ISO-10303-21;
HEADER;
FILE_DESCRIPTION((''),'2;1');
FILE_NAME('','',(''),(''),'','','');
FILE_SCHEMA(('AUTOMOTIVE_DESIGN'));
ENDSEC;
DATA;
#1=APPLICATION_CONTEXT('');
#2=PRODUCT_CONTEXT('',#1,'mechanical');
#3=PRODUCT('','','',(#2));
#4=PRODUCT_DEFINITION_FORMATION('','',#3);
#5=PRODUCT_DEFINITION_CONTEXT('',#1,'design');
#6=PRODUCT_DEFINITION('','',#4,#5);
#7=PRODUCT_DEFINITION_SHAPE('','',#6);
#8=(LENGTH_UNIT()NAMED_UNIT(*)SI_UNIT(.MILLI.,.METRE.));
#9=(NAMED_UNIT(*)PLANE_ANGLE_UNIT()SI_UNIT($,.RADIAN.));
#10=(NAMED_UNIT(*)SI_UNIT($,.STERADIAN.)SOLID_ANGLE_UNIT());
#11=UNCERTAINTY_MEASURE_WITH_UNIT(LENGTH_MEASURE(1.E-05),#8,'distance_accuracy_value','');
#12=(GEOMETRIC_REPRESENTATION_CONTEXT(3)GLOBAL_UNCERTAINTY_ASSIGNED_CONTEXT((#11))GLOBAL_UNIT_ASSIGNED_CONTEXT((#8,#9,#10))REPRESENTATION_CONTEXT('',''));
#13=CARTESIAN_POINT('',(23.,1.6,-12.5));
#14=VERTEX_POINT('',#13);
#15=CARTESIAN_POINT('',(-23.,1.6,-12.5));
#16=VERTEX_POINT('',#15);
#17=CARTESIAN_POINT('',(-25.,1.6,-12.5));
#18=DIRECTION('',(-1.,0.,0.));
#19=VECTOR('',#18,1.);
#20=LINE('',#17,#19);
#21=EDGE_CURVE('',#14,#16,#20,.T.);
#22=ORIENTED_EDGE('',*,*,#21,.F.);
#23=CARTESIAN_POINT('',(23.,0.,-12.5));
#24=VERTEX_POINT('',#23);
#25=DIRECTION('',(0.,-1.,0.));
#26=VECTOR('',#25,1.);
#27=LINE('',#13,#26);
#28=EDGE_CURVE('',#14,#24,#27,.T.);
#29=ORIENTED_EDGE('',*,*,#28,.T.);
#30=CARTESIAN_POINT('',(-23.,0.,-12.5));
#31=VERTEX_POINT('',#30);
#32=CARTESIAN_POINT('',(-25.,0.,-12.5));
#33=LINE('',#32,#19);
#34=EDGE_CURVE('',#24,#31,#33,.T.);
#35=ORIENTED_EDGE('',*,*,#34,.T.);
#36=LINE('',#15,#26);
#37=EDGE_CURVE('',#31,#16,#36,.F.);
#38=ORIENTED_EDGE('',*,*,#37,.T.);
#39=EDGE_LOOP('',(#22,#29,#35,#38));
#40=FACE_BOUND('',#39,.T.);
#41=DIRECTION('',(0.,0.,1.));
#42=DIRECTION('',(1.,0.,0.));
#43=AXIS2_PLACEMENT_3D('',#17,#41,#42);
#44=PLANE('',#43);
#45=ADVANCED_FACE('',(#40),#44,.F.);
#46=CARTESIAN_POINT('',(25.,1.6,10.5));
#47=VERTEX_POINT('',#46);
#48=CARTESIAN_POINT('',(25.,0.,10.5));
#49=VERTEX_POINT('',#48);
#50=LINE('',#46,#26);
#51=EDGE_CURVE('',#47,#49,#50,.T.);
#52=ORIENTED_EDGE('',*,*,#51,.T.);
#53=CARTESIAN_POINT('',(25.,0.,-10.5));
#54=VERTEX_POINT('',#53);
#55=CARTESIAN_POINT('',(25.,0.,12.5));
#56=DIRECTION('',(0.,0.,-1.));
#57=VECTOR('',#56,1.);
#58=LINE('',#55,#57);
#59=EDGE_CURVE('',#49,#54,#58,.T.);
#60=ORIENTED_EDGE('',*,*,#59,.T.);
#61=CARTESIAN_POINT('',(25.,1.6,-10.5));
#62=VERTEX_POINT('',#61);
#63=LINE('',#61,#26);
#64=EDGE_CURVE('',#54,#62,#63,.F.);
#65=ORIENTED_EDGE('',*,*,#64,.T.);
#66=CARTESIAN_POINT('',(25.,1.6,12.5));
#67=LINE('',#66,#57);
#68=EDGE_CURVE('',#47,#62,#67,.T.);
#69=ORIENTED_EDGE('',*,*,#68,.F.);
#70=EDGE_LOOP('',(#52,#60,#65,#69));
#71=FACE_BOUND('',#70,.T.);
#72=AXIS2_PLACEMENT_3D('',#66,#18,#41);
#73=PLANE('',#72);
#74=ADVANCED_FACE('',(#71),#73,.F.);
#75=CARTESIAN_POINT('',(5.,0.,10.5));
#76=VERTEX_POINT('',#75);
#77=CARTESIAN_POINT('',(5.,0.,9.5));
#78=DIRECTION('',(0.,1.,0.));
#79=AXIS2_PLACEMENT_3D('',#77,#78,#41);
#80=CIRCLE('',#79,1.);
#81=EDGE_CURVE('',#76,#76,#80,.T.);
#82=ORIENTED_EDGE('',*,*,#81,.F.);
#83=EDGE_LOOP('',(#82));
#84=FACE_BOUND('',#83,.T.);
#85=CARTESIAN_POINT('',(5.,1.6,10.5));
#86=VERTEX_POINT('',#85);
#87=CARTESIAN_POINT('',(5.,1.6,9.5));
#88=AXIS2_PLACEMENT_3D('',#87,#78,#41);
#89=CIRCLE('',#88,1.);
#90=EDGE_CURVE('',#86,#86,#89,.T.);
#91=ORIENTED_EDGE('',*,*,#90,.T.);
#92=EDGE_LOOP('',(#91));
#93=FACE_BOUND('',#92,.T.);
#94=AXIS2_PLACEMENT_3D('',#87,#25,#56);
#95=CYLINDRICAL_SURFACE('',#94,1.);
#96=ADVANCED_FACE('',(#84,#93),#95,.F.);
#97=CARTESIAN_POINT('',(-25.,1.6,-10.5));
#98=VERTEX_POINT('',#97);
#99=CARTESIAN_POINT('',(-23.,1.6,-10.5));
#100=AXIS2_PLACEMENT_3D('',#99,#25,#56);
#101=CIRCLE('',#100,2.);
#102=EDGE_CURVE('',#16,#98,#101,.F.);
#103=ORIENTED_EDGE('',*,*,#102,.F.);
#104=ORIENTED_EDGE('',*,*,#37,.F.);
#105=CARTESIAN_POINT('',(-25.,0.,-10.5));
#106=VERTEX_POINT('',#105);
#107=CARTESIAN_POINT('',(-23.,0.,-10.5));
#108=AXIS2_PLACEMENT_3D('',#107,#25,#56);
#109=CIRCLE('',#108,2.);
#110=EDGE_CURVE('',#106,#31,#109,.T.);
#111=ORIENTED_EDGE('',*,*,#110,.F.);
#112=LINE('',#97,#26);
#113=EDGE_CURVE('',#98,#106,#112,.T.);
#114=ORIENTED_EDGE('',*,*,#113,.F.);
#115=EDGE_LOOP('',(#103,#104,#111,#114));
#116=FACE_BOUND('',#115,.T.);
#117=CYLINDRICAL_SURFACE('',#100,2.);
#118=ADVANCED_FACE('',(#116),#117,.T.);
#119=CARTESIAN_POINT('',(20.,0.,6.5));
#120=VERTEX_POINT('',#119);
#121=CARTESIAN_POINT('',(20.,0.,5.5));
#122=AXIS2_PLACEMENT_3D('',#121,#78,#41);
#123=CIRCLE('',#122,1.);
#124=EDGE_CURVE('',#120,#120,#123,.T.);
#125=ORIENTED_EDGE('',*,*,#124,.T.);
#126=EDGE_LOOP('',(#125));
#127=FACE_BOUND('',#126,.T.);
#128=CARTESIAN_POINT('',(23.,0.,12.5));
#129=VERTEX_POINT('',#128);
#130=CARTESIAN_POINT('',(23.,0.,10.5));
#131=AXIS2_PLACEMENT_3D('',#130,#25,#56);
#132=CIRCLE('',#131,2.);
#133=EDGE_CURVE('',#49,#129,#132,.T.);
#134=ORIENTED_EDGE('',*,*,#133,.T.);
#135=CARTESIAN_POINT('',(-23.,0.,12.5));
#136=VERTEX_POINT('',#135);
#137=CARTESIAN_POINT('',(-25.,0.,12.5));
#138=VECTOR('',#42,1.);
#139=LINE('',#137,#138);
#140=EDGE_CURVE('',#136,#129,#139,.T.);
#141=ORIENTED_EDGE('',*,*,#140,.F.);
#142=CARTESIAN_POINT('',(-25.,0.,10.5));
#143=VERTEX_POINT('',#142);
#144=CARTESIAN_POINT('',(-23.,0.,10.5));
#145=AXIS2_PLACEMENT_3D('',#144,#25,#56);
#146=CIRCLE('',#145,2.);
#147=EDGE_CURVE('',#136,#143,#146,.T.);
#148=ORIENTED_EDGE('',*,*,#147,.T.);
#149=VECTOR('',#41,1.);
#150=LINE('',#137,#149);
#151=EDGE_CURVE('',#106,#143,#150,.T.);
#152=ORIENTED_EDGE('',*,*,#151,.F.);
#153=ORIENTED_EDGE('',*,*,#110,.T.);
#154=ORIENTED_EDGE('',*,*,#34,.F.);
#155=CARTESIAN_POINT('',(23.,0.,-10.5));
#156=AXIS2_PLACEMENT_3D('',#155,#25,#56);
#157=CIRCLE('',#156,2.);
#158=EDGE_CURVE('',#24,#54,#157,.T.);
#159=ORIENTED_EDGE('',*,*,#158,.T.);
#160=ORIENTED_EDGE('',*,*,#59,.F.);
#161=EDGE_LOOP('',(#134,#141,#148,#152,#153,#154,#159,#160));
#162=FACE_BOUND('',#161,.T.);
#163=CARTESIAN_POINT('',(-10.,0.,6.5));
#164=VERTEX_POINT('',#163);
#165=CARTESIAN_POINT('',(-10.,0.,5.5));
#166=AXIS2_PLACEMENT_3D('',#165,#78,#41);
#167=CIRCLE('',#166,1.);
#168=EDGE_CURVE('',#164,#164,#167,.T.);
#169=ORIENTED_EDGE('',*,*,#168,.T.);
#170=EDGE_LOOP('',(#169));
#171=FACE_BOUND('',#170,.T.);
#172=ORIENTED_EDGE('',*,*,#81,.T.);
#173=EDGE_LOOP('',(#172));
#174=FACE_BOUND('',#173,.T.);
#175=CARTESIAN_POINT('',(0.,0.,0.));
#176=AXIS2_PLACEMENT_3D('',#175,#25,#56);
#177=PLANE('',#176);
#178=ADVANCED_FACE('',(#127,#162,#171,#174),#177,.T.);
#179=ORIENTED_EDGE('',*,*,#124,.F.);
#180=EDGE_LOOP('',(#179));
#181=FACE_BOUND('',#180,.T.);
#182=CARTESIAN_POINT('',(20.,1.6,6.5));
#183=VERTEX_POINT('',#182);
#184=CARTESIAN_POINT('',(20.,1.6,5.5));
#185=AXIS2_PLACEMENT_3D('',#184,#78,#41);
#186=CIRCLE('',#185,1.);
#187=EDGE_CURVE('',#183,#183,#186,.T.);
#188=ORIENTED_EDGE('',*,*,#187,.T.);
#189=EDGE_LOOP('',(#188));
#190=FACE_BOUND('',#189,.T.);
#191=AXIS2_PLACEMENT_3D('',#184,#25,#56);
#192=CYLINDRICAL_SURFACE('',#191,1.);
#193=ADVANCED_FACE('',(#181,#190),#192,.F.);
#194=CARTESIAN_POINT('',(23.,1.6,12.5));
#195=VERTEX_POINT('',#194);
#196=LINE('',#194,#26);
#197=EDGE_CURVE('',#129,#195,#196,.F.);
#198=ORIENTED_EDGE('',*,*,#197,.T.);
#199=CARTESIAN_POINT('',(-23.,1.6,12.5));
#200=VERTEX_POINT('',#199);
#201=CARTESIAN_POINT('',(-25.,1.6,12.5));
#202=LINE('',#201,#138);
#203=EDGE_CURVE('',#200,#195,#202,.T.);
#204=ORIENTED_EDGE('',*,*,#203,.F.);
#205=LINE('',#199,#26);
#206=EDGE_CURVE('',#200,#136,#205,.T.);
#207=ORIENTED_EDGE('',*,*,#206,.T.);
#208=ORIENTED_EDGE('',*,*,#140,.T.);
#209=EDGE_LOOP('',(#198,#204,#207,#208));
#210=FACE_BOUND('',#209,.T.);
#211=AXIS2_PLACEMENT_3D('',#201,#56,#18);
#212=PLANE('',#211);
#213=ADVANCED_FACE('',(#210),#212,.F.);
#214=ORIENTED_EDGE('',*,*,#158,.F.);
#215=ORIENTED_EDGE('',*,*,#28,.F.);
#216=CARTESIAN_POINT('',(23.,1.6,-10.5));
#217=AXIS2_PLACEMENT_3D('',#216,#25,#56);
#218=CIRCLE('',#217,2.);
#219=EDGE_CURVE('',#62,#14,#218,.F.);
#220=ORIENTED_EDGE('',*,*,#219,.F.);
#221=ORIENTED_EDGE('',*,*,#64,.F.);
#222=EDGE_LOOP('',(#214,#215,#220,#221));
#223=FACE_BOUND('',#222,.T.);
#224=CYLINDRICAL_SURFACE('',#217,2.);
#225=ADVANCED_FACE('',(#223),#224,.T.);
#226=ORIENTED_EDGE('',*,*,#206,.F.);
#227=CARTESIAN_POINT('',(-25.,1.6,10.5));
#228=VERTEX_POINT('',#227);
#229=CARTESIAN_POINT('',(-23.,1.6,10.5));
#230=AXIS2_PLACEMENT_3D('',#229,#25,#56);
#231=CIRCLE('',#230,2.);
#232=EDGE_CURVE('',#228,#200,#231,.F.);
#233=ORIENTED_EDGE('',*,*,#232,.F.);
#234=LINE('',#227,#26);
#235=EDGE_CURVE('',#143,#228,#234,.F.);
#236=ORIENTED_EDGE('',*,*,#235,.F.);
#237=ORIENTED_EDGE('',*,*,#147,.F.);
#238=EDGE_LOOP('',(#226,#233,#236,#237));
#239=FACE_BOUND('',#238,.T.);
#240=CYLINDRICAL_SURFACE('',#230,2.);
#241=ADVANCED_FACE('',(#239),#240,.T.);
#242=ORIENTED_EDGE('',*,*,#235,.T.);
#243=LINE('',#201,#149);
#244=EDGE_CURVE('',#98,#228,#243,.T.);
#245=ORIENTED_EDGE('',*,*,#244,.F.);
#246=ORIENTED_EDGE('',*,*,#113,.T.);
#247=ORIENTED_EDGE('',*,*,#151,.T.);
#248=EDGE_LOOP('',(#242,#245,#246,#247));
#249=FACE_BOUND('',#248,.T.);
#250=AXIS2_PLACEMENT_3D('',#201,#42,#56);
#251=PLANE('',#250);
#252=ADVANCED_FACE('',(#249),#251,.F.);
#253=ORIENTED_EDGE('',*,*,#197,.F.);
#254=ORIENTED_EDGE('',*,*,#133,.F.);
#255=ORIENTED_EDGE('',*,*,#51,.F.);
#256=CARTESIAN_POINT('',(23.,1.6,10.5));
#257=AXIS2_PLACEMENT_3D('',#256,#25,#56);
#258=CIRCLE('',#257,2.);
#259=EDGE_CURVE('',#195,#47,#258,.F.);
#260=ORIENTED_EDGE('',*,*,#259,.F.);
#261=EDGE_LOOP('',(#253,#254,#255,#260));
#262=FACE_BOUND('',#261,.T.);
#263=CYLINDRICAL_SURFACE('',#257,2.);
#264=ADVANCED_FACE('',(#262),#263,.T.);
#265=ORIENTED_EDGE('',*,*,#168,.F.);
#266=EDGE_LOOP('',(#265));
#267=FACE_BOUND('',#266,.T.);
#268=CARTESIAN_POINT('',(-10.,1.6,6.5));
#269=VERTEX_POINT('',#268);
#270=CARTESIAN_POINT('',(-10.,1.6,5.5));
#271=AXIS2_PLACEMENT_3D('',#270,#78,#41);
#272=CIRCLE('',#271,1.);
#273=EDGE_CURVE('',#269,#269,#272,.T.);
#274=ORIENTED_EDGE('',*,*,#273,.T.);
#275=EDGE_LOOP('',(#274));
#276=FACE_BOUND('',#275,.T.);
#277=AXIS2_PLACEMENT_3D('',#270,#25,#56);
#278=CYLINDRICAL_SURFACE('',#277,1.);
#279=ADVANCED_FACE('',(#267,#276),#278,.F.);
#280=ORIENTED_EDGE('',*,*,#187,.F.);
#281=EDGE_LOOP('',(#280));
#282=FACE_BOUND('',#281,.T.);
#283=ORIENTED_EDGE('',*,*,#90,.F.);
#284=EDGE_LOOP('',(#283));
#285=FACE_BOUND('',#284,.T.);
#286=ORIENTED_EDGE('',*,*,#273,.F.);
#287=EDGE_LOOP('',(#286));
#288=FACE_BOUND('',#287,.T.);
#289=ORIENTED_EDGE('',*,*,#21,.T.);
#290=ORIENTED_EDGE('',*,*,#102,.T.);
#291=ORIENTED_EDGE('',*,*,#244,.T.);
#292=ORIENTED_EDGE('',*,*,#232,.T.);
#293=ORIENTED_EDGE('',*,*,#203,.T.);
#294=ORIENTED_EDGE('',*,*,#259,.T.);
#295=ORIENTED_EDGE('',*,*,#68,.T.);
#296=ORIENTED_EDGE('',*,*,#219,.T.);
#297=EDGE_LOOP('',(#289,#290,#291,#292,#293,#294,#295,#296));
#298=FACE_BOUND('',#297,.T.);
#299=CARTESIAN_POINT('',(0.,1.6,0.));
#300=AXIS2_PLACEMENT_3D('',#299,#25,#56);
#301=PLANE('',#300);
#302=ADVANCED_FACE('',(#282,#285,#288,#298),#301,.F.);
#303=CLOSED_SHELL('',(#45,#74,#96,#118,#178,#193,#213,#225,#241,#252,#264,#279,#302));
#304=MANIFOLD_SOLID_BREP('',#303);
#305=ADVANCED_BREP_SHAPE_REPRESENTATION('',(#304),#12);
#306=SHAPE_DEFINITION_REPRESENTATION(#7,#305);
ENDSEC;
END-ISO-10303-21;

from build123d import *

# Parameters (mm, degrees)
SKETCH_1_W      = 50
SKETCH_1_H      = 25
SKETCH_1_R      = 1
EXTRUDE_1_DEPTH = 1.6
FILLET_1_R      = 2


with BuildPart() as part:
    # 草图1 → 凸台-拉伸1 (new body)
    with BuildSketch(Plane(origin=(0, 0, 0), x_dir=(1, 0, 0), z_dir=(0, 1, 0))):
        Rectangle(SKETCH_1_W, SKETCH_1_H)
        with Locations(Location((-10, -5.5, 0), (0, 0, 270))):
            Circle(SKETCH_1_R, mode=Mode.SUBTRACT)
        with Locations(Location((20, -5.5, 0), (0, 0, 270))):
            Circle(SKETCH_1_R, mode=Mode.SUBTRACT)
        with Locations(Location((5, -9.5, 0), (0, 0, 270))):
            Circle(SKETCH_1_R, mode=Mode.SUBTRACT)
    extrude(amount=EXTRUDE_1_DEPTH)

    # 圆角1
    fillet_1_edges = [part.edges().sort_by_distance(p)[0] for p in [
        (25, 0.8, 12.5),
        (-25, 0.8, 12.5),
        (-25, 0.8, -12.5),
        (25, 0.8, -12.5),
    ]]
    fillet(fillet_1_edges, radius=FILLET_1_R)


solid = part.part
